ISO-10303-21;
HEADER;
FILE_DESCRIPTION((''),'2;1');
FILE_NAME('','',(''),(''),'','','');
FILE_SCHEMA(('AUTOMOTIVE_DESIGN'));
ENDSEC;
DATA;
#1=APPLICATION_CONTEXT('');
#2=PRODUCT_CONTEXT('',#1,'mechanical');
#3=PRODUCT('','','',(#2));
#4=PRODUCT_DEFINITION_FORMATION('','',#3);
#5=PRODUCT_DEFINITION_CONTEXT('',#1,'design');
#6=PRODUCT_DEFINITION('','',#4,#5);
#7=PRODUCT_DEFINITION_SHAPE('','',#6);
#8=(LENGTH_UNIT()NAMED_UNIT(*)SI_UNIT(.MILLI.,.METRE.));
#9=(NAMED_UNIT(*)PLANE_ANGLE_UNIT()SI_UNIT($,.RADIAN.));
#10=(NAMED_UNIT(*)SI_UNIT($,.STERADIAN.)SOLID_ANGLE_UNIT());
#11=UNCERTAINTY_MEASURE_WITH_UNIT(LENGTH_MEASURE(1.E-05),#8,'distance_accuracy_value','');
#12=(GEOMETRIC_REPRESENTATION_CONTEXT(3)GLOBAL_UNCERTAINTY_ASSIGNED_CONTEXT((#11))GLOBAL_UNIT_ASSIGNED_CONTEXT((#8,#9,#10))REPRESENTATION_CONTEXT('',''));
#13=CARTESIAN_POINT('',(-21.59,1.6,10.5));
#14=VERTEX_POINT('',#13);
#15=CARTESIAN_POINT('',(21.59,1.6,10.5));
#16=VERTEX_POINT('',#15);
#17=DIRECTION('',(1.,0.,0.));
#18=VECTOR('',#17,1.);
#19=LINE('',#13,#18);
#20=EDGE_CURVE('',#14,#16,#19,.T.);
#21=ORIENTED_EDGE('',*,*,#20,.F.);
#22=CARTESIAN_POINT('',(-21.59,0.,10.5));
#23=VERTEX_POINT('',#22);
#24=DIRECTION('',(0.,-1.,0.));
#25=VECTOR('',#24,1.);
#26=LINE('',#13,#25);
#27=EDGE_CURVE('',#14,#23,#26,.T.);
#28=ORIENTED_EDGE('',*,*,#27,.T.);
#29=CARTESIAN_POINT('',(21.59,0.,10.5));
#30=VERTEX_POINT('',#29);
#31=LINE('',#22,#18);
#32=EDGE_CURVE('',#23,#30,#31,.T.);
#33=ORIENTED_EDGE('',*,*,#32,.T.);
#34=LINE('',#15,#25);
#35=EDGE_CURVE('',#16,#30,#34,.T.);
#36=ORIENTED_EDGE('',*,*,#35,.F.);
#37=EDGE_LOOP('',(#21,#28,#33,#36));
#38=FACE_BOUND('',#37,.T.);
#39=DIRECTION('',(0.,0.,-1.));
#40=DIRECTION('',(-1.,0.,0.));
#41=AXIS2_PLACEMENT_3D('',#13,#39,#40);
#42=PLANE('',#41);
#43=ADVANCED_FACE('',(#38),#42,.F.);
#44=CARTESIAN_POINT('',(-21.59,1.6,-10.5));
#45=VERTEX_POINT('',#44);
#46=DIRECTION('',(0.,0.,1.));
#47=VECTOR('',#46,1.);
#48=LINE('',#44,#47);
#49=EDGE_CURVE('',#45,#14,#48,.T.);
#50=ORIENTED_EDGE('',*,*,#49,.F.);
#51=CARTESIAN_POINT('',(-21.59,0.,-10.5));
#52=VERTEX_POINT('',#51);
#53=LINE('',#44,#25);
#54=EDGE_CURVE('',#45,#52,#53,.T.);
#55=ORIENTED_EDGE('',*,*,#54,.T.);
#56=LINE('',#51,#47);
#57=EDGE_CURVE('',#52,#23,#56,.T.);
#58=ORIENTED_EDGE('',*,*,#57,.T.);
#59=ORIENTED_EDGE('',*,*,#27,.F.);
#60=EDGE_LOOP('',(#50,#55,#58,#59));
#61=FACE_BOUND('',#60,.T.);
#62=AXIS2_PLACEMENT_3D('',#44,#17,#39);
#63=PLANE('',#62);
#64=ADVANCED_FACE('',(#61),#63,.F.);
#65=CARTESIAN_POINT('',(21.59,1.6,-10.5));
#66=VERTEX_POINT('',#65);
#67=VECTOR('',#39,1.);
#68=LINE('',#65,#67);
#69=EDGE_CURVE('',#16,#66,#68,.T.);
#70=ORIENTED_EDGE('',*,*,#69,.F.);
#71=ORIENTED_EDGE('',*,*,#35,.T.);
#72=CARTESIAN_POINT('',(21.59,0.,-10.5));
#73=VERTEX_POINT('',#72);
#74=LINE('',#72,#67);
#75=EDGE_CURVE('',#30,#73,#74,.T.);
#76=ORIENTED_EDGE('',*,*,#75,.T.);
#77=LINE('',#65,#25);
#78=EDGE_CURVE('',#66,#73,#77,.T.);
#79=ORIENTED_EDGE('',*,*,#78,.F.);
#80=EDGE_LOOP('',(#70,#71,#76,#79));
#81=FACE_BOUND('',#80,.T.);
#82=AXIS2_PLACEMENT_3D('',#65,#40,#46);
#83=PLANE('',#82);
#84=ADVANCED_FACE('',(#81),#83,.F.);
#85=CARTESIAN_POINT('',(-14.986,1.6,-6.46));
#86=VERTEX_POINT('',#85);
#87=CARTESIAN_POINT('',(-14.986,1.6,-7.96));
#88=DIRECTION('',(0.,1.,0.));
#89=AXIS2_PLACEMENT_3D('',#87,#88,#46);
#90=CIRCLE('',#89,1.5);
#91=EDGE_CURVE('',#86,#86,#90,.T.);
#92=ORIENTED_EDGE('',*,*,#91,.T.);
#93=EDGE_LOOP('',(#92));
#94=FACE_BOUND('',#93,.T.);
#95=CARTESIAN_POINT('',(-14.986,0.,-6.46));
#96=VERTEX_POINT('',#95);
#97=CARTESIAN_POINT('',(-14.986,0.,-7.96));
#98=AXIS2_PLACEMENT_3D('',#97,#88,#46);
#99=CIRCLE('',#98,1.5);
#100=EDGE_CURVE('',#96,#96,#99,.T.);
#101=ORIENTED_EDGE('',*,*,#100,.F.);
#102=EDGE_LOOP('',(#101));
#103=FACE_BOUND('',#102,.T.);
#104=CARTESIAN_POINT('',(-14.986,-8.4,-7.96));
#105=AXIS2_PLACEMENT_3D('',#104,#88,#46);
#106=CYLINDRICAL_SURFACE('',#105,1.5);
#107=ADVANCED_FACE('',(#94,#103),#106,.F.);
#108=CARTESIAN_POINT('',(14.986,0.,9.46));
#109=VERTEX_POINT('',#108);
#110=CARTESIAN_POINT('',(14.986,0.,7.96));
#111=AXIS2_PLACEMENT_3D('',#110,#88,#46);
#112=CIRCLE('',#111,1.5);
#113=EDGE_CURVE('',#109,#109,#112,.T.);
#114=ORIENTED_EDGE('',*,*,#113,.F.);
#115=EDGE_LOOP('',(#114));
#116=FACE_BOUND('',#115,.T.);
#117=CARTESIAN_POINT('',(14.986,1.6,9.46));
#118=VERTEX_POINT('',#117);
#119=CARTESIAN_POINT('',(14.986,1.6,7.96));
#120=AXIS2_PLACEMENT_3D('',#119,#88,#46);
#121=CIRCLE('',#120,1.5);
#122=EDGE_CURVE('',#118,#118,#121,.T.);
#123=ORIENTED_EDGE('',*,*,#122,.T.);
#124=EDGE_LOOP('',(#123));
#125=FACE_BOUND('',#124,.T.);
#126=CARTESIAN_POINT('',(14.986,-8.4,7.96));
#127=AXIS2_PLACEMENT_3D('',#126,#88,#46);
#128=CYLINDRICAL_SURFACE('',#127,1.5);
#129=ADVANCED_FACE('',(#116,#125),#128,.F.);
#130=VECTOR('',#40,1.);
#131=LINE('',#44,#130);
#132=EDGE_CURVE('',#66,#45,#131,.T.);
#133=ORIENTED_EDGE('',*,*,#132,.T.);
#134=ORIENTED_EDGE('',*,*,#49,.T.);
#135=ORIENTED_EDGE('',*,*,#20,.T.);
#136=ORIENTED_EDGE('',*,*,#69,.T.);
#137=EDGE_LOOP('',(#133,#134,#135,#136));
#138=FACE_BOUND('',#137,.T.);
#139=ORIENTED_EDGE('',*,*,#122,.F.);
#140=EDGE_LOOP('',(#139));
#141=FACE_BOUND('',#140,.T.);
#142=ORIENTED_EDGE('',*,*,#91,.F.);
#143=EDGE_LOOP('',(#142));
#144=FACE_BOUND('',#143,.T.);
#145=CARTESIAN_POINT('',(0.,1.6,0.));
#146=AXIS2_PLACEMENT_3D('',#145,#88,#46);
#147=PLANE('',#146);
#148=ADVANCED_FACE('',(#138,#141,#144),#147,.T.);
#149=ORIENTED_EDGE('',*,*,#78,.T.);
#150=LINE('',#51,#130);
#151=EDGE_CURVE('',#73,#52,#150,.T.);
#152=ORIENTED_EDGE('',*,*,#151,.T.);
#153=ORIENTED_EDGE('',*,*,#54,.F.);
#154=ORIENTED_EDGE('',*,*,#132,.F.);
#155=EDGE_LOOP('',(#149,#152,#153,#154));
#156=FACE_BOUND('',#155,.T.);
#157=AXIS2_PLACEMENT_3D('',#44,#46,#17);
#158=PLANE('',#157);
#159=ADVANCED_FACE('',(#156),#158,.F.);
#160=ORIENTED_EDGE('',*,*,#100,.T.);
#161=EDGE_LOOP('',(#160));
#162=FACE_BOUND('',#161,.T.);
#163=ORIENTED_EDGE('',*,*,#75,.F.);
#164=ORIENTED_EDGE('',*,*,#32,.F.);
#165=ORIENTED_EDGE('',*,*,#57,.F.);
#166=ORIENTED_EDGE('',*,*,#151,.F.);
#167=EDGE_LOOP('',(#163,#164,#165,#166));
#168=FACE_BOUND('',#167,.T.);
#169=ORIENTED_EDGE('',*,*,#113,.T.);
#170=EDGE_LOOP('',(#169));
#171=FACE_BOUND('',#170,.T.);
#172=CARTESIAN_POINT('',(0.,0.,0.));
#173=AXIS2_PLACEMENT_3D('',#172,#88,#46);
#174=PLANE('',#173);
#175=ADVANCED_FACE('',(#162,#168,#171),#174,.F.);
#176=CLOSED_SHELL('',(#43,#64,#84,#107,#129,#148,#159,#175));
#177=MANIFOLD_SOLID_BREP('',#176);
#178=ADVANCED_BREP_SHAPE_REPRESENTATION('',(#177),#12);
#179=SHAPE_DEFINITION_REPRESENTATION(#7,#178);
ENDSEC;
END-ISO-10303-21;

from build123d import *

# Parameters (mm, degrees)
SKETCH_1_W          = 43.18
SKETCH_1_H          = 21
EXTRUDE_1_DEPTH     = 1.6
SKETCH_2_R          = 1.5
CUT_EXTRUDE_1_DEPTH = 10


with BuildPart() as part:
    # 草图1 → 凸台-拉伸1 (new body)
    with BuildSketch(Plane(origin=(0, 0, 0), x_dir=(1, 0, 0), z_dir=(0, 1, 0))):
        Rectangle(SKETCH_1_W, SKETCH_1_H)
    extrude(amount=EXTRUDE_1_DEPTH)

    # 草图2 → 切除-拉伸1 (cut)
    with BuildSketch(Plane(origin=(0, 1.6, 0), x_dir=(1, 0, 0), z_dir=(0, 1, 0))):
        with Locations(Location((-14.986, 7.96, 0), (0, 0, 270))):
            Circle(SKETCH_2_R)
        with Locations(Location((14.986, -7.96, 0), (0, 0, 270))):
            Circle(SKETCH_2_R)
    extrude(amount=-CUT_EXTRUDE_1_DEPTH, mode=Mode.SUBTRACT)


solid = part.part
